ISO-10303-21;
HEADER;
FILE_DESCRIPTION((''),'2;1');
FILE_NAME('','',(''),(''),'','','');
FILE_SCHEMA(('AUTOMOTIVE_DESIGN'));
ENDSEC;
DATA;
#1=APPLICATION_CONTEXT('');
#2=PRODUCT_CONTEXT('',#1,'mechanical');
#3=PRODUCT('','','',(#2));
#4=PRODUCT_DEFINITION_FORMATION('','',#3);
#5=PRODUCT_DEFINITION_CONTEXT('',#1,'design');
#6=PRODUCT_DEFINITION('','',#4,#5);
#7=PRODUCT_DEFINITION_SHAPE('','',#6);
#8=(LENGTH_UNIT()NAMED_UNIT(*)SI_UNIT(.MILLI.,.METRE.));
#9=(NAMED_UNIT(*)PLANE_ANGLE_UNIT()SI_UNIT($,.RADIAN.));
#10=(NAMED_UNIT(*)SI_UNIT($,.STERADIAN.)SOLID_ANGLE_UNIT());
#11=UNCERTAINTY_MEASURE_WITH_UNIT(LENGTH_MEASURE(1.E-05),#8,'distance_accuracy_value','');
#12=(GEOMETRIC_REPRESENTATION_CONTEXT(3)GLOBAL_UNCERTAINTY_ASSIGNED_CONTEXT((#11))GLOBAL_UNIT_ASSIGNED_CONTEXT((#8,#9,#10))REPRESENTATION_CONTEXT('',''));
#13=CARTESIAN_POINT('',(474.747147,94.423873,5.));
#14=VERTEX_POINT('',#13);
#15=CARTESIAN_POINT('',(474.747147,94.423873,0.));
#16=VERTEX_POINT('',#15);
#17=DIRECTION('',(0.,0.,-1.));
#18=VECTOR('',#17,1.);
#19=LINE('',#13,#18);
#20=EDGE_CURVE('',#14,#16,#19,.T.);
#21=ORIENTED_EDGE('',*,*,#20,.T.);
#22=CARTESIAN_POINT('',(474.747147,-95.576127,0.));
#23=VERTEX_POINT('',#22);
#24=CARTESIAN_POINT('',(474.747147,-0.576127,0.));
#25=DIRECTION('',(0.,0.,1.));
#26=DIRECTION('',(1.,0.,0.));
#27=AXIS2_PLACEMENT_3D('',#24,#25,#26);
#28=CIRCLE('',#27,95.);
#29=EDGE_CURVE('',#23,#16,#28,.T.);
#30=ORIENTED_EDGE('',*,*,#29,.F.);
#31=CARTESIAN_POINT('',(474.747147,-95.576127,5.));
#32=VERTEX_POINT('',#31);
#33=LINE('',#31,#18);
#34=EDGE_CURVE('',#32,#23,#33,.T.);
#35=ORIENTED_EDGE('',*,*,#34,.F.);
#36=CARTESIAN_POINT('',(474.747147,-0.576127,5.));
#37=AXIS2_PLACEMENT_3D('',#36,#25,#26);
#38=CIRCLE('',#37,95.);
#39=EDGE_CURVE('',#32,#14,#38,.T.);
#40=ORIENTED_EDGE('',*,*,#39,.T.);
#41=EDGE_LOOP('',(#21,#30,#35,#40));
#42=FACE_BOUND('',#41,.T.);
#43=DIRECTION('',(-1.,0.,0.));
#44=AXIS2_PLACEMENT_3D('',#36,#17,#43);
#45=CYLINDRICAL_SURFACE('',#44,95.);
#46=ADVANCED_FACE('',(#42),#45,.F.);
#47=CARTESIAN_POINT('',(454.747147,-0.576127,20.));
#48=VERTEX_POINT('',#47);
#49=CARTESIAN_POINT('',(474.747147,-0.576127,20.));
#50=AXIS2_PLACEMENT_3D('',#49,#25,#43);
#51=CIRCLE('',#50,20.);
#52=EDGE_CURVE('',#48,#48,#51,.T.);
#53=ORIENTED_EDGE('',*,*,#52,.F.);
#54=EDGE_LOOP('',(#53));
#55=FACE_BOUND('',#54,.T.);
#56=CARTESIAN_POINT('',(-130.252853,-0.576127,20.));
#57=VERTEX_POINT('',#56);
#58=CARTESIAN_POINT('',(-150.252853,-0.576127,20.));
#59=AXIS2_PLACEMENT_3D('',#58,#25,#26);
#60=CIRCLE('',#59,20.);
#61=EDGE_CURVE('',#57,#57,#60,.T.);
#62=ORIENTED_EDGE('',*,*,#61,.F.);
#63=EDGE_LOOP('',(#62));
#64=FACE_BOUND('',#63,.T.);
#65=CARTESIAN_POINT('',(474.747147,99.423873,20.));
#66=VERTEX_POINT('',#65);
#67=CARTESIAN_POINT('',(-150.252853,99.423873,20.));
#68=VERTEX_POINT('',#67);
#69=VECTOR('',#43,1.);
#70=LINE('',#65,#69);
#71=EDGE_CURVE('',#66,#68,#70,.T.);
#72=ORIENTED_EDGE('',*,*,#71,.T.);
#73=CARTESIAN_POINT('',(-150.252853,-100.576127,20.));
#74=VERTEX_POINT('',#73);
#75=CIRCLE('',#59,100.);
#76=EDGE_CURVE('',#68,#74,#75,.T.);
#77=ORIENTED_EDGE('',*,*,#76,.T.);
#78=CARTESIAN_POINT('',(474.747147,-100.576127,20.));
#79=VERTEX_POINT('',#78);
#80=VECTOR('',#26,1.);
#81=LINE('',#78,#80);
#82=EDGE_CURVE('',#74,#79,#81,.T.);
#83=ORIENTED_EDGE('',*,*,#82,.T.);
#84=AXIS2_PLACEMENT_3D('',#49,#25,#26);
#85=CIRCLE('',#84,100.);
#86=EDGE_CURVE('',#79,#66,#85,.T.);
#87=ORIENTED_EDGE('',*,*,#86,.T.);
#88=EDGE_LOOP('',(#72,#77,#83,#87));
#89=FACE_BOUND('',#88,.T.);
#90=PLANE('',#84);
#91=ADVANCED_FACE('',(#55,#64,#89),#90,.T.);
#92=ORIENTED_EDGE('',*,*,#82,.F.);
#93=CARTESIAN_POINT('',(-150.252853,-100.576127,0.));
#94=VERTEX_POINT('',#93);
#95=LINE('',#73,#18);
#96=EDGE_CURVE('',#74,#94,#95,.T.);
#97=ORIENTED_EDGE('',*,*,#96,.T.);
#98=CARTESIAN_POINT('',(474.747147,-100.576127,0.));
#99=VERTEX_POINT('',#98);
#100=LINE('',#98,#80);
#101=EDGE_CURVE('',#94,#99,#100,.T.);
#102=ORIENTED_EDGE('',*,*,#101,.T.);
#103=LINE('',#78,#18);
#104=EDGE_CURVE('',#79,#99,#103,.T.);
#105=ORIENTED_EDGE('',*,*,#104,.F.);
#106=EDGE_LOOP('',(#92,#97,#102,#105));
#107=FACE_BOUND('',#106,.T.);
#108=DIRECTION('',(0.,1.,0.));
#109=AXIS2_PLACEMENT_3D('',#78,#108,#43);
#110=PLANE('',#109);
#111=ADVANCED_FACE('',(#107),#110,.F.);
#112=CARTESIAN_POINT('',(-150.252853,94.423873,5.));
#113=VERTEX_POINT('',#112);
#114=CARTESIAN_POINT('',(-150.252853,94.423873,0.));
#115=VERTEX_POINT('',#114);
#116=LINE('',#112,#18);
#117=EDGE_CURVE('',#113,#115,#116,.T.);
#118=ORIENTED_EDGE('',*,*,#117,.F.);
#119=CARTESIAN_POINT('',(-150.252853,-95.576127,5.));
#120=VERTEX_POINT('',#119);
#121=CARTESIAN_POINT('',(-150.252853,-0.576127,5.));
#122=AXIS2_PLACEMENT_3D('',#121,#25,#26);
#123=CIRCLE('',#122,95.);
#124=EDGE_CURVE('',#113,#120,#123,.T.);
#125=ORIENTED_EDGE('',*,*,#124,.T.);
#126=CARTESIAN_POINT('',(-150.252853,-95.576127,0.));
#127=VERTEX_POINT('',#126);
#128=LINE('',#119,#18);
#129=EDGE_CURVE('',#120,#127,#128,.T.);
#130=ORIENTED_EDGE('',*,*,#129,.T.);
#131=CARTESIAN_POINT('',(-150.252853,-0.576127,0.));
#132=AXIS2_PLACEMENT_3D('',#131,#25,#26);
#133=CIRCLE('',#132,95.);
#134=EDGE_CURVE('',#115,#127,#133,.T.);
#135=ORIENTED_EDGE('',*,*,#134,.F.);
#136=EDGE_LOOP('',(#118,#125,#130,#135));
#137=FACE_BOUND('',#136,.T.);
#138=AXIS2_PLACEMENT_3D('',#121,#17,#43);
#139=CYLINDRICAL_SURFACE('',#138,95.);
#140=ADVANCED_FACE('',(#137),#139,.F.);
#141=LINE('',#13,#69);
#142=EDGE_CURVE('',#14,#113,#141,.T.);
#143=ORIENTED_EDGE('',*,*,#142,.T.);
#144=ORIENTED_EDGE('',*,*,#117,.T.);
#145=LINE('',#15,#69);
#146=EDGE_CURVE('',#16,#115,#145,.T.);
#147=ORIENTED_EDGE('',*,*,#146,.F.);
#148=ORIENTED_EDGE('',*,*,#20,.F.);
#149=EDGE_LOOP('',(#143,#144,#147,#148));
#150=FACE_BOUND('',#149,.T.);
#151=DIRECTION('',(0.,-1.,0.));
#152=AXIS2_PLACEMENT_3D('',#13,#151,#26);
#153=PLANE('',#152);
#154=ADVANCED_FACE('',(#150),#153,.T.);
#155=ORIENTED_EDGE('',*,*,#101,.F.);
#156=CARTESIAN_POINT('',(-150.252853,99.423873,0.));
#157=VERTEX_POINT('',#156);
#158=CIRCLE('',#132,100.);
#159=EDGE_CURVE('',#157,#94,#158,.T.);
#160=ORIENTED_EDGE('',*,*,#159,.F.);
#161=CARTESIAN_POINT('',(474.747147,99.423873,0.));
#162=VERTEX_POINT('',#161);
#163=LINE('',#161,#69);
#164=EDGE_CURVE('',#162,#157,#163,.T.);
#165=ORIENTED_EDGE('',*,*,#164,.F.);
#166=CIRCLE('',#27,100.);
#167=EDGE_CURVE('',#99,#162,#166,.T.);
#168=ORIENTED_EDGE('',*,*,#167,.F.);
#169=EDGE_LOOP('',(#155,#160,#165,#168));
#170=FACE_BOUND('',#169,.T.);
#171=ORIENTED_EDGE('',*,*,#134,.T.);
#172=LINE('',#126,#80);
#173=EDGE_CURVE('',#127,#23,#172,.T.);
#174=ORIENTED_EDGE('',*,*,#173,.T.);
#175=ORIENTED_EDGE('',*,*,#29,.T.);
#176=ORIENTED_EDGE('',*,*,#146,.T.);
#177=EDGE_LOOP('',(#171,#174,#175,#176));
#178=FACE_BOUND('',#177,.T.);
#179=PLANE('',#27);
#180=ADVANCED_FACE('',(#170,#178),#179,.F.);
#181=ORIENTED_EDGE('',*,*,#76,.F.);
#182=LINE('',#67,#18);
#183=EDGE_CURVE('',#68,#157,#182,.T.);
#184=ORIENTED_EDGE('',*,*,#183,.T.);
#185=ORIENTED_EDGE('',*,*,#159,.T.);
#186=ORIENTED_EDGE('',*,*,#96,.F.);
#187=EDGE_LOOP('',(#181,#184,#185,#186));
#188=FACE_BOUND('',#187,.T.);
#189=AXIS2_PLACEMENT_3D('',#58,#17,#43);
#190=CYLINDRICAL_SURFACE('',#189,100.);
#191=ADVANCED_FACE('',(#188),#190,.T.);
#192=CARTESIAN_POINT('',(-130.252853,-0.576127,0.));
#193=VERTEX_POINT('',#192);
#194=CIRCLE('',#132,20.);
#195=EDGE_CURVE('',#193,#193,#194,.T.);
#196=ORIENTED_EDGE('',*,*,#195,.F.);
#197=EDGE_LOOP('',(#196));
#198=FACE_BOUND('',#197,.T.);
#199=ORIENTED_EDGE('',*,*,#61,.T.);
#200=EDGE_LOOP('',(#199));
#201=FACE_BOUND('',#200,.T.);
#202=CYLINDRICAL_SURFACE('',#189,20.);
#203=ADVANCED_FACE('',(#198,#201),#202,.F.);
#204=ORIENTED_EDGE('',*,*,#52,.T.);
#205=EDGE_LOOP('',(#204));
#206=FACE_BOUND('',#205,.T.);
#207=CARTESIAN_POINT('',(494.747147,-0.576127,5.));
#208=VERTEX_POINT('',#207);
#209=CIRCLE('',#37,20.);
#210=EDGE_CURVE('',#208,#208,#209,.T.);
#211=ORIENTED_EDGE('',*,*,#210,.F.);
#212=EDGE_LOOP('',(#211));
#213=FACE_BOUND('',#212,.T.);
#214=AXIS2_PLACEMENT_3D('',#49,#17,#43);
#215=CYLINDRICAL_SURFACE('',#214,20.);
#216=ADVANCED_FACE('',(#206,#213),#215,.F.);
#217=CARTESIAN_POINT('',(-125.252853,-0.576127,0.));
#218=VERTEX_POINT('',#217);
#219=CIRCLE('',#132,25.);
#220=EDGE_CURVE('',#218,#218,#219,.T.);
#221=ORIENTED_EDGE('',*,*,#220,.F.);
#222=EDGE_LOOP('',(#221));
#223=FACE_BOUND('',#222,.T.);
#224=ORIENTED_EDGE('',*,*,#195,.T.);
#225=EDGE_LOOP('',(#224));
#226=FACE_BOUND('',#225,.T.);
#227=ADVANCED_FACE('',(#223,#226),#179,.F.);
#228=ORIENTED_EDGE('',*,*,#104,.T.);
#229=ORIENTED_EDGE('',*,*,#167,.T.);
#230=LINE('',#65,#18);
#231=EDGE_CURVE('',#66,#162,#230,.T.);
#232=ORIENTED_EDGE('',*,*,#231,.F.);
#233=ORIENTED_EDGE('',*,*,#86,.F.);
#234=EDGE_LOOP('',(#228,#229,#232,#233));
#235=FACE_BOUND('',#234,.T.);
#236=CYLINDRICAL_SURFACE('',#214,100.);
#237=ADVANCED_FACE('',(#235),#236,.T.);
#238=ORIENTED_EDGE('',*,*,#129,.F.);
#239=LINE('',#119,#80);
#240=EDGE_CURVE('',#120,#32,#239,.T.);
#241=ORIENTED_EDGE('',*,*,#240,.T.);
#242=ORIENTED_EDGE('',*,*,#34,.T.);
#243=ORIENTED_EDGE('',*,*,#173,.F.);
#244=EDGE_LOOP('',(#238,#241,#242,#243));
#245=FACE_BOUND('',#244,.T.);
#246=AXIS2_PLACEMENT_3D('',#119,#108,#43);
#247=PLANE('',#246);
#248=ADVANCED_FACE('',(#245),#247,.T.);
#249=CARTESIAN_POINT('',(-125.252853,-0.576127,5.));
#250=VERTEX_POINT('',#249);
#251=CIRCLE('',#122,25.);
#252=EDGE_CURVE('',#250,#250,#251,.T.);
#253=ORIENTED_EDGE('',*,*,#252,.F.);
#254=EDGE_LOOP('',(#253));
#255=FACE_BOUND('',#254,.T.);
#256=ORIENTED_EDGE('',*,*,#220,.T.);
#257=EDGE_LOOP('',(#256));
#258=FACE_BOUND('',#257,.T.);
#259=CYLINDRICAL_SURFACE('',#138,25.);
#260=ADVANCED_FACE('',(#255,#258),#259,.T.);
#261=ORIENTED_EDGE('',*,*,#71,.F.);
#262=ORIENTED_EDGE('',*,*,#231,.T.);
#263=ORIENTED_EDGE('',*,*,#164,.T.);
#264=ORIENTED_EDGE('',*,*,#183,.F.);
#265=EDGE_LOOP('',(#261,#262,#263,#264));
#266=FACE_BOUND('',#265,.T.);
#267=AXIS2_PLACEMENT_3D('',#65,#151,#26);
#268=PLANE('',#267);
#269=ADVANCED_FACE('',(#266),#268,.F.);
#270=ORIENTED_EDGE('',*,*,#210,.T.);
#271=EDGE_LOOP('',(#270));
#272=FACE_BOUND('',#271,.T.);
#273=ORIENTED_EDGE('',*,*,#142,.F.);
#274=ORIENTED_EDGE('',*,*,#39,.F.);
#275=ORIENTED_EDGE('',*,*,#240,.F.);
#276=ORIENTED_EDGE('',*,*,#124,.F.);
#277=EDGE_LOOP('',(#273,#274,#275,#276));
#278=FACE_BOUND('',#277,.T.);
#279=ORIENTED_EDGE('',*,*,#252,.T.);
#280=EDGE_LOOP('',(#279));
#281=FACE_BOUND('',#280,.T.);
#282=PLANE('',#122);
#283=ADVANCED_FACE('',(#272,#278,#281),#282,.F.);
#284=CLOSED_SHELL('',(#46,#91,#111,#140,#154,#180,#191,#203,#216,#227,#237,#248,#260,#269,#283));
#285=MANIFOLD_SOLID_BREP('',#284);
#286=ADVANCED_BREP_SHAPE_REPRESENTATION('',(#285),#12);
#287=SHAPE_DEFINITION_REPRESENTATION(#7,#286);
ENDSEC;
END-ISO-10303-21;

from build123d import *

# Parameters (mm, degrees)
SKETCH1_R           = 20
BOSS_EXTRUDE2_DEPTH = 20
SKETCH8_R           = 25
CUT_EXTRUDE6_DEPTH  = 5


with BuildPart() as part:
    # Sketch1 → Boss-Extrude2 (new body)
    with BuildSketch(Plane.XY):
        with BuildLine():
            Line((474.74714713, 99.423872527), (-150.25285287, 99.423872527))
            ThreePointArc((-150.25285287, 99.423872527), (-250.25285287, -0.576127473), (-150.25285287, -100.576127473))
            Line((-150.25285287, -100.576127473), (474.74714713, -100.576127473))
            ThreePointArc((474.74714713, -100.576127473), (574.74714713, -0.576127473), (474.74714713, 99.423872527))
        make_face()
        with Locations((-150.25285287, -0.576127473)):
            Circle(SKETCH1_R, mode=Mode.SUBTRACT)
        with Locations(Location((474.74714713, -0.576127473, 0), (0, 0, 180))):
            Circle(SKETCH1_R, mode=Mode.SUBTRACT)
    extrude(amount=BOSS_EXTRUDE2_DEPTH)

    # Sketch8 → Cut-Extrude6 (cut)
    with BuildSketch(Plane.XY):
        with BuildLine():
            Line((-150.25285287, -95.576127473), (474.74714713, -95.576127473))
            ThreePointArc((474.74714713, -95.576127473), (569.74714713, -0.576127473), (474.74714713, 94.423872527))
            Line((474.74714713, 94.423872527), (-150.25285287, 94.423872527))
            ThreePointArc((-150.25285287, 94.423872527), (-245.25285287, -0.576127473), (-150.25285287, -95.576127473))
        make_face()
        with Locations((-150.25285287, -0.576127473)):
            Circle(SKETCH8_R, mode=Mode.SUBTRACT)
    extrude(amount=CUT_EXTRUDE6_DEPTH, mode=Mode.SUBTRACT)


solid = part.part
